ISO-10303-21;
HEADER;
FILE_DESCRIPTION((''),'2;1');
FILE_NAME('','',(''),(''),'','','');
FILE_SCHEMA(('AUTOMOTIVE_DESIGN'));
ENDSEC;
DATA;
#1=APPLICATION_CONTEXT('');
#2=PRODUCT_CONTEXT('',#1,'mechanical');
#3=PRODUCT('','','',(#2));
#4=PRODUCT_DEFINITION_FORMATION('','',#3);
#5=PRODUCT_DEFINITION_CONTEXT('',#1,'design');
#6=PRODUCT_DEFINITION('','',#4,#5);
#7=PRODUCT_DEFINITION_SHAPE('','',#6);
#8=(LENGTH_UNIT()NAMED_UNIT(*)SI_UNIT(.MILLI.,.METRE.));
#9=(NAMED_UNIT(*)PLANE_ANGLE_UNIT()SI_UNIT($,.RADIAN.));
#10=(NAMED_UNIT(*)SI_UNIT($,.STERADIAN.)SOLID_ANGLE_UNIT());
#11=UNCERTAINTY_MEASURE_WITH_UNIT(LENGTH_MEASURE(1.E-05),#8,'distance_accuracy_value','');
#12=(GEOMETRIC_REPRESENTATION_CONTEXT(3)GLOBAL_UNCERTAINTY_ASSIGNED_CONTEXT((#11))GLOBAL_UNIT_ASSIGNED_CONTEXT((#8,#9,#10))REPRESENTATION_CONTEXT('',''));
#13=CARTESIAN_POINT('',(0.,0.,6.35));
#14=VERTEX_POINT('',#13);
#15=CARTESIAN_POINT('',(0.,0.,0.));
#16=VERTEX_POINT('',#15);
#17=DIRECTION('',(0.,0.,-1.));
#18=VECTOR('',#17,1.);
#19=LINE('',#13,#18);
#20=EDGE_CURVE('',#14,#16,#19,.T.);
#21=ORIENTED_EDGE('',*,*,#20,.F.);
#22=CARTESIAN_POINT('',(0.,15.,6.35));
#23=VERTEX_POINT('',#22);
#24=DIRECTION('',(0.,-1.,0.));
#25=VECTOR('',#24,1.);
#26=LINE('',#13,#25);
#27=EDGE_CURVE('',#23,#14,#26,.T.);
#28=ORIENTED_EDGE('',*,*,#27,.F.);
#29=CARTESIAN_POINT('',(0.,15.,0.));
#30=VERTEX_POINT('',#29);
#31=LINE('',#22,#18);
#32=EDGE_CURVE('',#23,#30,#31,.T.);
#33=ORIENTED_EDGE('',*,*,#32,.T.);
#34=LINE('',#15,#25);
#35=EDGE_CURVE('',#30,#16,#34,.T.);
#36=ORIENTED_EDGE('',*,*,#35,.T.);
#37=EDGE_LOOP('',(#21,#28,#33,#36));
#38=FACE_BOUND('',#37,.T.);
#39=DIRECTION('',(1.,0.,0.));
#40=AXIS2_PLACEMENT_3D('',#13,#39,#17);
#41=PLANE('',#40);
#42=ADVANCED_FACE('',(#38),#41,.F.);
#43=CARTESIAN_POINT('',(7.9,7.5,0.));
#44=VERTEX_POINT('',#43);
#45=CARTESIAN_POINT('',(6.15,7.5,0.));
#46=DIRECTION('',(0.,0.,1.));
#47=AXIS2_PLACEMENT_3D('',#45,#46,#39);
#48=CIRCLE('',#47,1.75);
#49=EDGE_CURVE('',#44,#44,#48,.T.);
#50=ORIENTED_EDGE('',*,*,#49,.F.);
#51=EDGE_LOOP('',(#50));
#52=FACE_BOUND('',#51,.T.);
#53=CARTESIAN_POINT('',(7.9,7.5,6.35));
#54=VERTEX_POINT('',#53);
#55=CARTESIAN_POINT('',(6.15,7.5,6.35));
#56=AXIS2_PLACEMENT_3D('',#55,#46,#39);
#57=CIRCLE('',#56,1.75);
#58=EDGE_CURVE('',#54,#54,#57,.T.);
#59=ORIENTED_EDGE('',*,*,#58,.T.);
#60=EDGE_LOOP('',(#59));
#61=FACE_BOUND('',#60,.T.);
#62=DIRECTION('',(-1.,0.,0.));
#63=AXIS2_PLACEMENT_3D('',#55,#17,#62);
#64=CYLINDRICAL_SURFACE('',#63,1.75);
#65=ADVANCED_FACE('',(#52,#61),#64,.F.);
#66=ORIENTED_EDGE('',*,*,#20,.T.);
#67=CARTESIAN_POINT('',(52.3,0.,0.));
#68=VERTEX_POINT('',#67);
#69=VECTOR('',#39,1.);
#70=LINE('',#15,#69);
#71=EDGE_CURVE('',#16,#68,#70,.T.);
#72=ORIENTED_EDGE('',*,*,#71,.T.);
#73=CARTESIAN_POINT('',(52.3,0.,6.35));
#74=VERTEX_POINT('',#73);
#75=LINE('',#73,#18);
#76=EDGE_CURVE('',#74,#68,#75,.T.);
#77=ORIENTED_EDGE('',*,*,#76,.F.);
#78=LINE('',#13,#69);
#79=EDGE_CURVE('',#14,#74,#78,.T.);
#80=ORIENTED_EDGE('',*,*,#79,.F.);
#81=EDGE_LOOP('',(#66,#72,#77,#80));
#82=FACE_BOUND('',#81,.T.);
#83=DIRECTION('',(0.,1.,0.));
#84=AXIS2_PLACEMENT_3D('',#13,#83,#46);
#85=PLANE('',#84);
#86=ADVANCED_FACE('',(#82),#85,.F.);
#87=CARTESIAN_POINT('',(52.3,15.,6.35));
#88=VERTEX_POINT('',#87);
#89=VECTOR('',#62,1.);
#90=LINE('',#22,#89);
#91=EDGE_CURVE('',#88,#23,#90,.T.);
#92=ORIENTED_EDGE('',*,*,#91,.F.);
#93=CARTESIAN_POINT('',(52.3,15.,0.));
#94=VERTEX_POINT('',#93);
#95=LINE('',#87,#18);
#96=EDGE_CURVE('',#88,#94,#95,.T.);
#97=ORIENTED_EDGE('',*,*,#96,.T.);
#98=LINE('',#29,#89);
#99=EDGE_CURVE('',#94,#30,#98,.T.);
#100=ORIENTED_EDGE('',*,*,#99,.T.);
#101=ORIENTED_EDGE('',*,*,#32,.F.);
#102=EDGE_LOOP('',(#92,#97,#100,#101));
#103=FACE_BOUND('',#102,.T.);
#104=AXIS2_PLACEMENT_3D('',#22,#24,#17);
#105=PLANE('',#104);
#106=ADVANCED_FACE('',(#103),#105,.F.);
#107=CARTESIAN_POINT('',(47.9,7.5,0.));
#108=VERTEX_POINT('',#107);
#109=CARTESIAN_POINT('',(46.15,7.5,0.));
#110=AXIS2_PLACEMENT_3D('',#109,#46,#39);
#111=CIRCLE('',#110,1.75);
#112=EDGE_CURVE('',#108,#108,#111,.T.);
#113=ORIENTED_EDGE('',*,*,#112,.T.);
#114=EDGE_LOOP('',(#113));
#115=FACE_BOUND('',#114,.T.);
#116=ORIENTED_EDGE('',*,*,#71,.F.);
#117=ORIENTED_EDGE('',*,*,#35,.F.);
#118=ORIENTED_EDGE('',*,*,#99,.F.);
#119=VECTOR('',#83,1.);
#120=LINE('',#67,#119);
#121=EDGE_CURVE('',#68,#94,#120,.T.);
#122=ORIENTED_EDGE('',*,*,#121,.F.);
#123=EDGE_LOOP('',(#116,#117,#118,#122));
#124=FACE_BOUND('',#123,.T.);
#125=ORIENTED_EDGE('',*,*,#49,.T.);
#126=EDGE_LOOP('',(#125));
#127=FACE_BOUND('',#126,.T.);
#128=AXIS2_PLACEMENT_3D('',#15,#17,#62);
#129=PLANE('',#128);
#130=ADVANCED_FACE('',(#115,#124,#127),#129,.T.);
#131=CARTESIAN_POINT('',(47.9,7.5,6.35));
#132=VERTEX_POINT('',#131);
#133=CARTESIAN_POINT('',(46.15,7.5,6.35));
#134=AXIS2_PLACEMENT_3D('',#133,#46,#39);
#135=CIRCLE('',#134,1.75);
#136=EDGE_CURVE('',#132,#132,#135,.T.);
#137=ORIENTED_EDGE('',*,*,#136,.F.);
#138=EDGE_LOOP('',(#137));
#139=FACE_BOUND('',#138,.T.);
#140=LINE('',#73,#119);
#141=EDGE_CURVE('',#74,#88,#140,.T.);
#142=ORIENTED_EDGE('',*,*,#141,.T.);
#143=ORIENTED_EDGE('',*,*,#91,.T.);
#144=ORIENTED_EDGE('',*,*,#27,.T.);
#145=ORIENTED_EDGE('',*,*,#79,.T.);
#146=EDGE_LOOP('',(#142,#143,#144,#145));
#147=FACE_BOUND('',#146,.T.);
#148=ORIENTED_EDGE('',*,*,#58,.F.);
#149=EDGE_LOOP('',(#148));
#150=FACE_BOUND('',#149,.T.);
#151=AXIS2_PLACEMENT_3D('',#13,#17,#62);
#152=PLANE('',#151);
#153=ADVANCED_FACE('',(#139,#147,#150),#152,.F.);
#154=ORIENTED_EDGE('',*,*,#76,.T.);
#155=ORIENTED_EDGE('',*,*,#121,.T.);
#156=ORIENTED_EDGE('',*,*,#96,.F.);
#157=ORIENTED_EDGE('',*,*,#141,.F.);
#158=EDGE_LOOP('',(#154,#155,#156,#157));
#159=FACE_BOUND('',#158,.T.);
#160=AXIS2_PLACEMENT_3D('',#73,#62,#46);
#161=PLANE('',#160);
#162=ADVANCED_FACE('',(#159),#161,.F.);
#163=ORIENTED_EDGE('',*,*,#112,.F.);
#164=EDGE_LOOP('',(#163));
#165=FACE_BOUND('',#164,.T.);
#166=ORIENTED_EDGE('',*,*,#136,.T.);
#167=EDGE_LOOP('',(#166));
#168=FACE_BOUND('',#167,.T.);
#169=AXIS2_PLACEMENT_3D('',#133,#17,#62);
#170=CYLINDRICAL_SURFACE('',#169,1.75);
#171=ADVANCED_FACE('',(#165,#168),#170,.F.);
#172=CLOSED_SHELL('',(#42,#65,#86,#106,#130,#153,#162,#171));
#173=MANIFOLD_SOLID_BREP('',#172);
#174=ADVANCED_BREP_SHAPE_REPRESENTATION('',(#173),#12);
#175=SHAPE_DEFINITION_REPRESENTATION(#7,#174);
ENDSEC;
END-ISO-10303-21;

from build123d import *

# Parameters (mm, degrees)
SKETCH1_W           = 52.3
SKETCH1_H           = 15
SKETCH1_R           = 1.75
BOSS_EXTRUDE1_DEPTH = 6.35


with BuildPart() as part:
    # Sketch1 → Boss-Extrude1 (new body)
    with BuildSketch(Plane.XY):
        with Locations((26.15, 7.5)):
            Rectangle(SKETCH1_W, SKETCH1_H)
        with Locations((6.15, 7.5)):
            Circle(SKETCH1_R, mode=Mode.SUBTRACT)
        with Locations((46.15, 7.5)):
            Circle(SKETCH1_R, mode=Mode.SUBTRACT)
    extrude(amount=BOSS_EXTRUDE1_DEPTH)


solid = part.part
